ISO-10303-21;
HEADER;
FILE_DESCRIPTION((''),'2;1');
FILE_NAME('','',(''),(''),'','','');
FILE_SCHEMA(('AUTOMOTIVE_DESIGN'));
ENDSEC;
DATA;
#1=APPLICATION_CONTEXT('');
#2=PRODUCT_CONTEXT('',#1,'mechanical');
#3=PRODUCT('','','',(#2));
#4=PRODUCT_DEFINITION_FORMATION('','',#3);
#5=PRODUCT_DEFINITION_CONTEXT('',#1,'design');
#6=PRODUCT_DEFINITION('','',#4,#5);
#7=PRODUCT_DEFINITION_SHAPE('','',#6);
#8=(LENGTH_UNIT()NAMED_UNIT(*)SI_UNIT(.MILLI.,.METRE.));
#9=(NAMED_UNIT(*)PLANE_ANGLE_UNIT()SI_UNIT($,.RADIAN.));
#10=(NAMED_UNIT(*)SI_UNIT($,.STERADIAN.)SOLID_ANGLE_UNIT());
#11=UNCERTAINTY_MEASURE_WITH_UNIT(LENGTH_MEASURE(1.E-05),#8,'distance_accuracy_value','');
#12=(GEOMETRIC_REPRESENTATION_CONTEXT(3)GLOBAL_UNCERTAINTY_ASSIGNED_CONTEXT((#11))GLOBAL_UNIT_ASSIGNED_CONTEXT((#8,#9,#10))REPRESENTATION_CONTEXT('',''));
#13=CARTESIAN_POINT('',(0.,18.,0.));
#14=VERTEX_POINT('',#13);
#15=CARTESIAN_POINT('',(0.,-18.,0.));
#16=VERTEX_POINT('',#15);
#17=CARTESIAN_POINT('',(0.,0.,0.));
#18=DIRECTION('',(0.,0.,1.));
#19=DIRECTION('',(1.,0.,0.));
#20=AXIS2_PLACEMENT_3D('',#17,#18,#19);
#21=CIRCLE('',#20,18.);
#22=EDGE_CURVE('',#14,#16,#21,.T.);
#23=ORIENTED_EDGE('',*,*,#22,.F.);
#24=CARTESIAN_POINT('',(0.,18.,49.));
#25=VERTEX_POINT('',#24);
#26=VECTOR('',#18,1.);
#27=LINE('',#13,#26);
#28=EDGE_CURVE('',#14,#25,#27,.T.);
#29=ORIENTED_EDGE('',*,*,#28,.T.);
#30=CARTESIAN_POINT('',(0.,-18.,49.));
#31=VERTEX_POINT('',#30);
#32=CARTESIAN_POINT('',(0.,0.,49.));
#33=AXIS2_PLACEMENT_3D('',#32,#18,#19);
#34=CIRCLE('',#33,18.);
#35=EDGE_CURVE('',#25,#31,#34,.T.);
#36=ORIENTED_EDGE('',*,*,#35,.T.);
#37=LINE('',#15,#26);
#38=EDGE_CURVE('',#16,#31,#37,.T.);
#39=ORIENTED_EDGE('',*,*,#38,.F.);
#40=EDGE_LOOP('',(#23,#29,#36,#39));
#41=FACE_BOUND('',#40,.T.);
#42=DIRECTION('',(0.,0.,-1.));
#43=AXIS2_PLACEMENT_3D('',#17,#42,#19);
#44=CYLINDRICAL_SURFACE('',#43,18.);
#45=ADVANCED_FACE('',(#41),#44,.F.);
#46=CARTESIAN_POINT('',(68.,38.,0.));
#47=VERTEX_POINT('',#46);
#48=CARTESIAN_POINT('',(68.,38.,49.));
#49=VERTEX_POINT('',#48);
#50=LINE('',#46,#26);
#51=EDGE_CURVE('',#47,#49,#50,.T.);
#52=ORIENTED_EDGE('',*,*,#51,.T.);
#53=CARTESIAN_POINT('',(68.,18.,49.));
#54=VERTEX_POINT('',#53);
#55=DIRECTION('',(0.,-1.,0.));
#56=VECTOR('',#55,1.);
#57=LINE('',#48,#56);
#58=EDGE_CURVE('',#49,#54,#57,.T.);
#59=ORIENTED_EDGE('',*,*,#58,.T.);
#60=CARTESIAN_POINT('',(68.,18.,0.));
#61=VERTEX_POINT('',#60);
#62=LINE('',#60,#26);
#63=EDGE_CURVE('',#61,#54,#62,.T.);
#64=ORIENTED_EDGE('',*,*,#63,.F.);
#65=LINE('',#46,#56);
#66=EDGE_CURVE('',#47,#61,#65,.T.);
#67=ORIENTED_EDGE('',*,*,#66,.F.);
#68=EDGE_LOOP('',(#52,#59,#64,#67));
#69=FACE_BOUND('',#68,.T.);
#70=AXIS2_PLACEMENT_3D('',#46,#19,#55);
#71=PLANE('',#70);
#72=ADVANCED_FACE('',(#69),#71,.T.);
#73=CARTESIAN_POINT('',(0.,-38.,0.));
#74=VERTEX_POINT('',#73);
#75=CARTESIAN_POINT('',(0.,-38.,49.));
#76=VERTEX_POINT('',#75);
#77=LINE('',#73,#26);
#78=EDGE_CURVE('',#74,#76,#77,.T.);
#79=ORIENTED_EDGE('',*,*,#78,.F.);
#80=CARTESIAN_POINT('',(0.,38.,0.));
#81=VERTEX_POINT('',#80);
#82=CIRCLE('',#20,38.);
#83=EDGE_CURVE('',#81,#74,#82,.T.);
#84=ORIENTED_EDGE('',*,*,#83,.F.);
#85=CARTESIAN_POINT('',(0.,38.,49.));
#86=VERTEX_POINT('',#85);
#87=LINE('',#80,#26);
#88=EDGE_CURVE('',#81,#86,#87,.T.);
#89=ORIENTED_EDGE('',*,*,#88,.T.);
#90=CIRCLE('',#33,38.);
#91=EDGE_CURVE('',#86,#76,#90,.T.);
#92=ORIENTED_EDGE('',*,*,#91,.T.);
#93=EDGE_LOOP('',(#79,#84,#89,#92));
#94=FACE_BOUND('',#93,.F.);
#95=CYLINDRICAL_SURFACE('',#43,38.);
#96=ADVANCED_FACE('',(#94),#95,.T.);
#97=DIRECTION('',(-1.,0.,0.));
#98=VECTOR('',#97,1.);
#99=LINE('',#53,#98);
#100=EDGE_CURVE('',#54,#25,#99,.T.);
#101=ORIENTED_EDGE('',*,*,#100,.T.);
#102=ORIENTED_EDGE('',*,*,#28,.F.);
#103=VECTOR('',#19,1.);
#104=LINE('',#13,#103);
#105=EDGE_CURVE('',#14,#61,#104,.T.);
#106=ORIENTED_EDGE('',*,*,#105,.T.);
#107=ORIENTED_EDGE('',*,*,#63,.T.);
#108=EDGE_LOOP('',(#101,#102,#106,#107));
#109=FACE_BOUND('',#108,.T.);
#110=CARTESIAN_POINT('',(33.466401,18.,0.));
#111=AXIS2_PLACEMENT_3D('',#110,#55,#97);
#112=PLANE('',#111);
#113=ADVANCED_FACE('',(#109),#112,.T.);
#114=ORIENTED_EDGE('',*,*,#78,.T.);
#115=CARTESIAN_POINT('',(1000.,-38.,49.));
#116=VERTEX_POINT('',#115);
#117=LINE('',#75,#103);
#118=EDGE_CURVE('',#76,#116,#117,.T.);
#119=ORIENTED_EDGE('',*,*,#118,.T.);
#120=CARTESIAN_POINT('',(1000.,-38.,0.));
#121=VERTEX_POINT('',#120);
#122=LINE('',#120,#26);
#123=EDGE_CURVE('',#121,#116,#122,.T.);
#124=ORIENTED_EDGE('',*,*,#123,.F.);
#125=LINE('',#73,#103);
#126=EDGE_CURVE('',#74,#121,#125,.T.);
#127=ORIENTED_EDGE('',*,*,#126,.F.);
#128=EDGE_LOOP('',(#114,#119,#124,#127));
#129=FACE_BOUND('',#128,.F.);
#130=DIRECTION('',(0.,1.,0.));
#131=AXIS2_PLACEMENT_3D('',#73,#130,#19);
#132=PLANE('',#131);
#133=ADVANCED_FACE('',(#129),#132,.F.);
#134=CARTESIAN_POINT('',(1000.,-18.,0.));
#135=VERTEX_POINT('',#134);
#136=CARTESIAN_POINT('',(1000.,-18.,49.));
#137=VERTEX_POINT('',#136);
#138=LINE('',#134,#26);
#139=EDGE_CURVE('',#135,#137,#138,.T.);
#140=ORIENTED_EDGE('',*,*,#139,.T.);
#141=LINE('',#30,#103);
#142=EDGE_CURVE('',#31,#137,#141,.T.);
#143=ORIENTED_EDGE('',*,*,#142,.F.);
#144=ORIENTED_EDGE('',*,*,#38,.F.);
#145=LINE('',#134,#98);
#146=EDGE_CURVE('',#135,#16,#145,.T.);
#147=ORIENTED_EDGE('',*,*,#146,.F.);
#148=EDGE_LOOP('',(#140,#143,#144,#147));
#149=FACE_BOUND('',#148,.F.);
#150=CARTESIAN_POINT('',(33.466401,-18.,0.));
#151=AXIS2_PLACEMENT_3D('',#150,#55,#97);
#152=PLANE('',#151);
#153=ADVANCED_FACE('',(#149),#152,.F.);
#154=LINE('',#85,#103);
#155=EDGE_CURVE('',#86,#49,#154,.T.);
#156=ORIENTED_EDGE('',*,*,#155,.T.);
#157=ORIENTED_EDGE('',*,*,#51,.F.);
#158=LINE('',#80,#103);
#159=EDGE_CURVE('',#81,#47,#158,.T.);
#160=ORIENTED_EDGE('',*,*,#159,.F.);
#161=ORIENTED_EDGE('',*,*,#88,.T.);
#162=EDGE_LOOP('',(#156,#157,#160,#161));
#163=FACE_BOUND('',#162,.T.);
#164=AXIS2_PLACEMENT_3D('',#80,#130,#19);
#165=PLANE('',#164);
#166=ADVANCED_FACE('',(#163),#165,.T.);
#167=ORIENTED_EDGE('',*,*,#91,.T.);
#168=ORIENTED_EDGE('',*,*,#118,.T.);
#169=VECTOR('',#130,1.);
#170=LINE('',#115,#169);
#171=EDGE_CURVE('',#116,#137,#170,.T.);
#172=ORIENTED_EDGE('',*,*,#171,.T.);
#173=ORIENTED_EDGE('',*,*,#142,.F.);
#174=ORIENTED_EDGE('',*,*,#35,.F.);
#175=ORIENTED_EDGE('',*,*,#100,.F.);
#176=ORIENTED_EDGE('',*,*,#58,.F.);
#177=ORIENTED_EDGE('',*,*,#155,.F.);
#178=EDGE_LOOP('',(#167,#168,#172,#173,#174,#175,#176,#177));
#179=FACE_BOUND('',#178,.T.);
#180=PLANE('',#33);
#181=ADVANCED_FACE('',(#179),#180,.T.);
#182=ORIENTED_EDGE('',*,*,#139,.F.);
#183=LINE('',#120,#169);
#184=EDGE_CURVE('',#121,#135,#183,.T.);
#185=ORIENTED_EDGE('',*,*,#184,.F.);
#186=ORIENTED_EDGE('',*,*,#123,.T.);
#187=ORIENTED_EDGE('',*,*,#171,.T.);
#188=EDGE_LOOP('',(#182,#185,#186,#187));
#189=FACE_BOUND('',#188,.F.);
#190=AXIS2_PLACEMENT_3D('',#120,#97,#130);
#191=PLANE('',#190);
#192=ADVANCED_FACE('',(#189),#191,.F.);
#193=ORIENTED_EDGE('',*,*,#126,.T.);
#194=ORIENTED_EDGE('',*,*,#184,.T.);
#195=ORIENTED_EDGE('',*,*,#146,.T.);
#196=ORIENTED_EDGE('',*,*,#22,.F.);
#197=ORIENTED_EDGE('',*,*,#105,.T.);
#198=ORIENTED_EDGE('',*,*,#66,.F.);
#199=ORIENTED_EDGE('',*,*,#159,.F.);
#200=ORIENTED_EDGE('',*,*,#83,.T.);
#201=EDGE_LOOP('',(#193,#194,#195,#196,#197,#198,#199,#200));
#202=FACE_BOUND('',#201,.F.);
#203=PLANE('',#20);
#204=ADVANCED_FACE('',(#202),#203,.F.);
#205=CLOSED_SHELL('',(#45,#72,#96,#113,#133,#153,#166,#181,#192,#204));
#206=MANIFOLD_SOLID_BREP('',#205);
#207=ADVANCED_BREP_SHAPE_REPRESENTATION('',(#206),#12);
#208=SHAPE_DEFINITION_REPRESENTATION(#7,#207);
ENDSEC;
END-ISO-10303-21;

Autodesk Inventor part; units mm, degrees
ref_plane "YZ Plane" through (0, 0, 0) normal (1, 0, 0) x (0, 1, 0)
ref_plane "XZ Plane" through (0, 0, 0) normal (0, 1, 0) x (-1, 0, 0)
ref_plane "XY Plane" through (0, 0, 0) normal (0, 0, 1) x (1, 0, 0)
sketch "Sketch1" plane through (0, 0, 0) normal (0, 0, 1) x (1, 0, 0)
  circle A0 centre (0, 0) radius 38
  line L0 (0, -38) -> (1000, -38)
  line L1 (1000, -38) -> (1000, -18)
  line L2 (1000, -18) -> (0, -18)
  line L3 (0, -18) -> (0, -38)
  line L4 (0, 38) -> (68, 38)
  line L5 (68, 38) -> (68, 18)
  line L6 (68, 18) -> (0, 18)
  line L7 (0, 18) -> (0, 38)
  circle A1 centre (0, 0) radius 18
  dimension "d0" = 76
  dimension "d1" = 20
  dimension "d2" = 20
  dimension "d4" = 1000
  dimension "d7" = 68
extrude "Extrusion1" add sketch "Sketch1" along normal blind 49 contours L7 A1 L3 A0 | L4 L5 L6 A0 | A0 L6 L7 | L3 L2 A0 | A0 L2 L1 L0
properties part number "J15BF.1.40"
